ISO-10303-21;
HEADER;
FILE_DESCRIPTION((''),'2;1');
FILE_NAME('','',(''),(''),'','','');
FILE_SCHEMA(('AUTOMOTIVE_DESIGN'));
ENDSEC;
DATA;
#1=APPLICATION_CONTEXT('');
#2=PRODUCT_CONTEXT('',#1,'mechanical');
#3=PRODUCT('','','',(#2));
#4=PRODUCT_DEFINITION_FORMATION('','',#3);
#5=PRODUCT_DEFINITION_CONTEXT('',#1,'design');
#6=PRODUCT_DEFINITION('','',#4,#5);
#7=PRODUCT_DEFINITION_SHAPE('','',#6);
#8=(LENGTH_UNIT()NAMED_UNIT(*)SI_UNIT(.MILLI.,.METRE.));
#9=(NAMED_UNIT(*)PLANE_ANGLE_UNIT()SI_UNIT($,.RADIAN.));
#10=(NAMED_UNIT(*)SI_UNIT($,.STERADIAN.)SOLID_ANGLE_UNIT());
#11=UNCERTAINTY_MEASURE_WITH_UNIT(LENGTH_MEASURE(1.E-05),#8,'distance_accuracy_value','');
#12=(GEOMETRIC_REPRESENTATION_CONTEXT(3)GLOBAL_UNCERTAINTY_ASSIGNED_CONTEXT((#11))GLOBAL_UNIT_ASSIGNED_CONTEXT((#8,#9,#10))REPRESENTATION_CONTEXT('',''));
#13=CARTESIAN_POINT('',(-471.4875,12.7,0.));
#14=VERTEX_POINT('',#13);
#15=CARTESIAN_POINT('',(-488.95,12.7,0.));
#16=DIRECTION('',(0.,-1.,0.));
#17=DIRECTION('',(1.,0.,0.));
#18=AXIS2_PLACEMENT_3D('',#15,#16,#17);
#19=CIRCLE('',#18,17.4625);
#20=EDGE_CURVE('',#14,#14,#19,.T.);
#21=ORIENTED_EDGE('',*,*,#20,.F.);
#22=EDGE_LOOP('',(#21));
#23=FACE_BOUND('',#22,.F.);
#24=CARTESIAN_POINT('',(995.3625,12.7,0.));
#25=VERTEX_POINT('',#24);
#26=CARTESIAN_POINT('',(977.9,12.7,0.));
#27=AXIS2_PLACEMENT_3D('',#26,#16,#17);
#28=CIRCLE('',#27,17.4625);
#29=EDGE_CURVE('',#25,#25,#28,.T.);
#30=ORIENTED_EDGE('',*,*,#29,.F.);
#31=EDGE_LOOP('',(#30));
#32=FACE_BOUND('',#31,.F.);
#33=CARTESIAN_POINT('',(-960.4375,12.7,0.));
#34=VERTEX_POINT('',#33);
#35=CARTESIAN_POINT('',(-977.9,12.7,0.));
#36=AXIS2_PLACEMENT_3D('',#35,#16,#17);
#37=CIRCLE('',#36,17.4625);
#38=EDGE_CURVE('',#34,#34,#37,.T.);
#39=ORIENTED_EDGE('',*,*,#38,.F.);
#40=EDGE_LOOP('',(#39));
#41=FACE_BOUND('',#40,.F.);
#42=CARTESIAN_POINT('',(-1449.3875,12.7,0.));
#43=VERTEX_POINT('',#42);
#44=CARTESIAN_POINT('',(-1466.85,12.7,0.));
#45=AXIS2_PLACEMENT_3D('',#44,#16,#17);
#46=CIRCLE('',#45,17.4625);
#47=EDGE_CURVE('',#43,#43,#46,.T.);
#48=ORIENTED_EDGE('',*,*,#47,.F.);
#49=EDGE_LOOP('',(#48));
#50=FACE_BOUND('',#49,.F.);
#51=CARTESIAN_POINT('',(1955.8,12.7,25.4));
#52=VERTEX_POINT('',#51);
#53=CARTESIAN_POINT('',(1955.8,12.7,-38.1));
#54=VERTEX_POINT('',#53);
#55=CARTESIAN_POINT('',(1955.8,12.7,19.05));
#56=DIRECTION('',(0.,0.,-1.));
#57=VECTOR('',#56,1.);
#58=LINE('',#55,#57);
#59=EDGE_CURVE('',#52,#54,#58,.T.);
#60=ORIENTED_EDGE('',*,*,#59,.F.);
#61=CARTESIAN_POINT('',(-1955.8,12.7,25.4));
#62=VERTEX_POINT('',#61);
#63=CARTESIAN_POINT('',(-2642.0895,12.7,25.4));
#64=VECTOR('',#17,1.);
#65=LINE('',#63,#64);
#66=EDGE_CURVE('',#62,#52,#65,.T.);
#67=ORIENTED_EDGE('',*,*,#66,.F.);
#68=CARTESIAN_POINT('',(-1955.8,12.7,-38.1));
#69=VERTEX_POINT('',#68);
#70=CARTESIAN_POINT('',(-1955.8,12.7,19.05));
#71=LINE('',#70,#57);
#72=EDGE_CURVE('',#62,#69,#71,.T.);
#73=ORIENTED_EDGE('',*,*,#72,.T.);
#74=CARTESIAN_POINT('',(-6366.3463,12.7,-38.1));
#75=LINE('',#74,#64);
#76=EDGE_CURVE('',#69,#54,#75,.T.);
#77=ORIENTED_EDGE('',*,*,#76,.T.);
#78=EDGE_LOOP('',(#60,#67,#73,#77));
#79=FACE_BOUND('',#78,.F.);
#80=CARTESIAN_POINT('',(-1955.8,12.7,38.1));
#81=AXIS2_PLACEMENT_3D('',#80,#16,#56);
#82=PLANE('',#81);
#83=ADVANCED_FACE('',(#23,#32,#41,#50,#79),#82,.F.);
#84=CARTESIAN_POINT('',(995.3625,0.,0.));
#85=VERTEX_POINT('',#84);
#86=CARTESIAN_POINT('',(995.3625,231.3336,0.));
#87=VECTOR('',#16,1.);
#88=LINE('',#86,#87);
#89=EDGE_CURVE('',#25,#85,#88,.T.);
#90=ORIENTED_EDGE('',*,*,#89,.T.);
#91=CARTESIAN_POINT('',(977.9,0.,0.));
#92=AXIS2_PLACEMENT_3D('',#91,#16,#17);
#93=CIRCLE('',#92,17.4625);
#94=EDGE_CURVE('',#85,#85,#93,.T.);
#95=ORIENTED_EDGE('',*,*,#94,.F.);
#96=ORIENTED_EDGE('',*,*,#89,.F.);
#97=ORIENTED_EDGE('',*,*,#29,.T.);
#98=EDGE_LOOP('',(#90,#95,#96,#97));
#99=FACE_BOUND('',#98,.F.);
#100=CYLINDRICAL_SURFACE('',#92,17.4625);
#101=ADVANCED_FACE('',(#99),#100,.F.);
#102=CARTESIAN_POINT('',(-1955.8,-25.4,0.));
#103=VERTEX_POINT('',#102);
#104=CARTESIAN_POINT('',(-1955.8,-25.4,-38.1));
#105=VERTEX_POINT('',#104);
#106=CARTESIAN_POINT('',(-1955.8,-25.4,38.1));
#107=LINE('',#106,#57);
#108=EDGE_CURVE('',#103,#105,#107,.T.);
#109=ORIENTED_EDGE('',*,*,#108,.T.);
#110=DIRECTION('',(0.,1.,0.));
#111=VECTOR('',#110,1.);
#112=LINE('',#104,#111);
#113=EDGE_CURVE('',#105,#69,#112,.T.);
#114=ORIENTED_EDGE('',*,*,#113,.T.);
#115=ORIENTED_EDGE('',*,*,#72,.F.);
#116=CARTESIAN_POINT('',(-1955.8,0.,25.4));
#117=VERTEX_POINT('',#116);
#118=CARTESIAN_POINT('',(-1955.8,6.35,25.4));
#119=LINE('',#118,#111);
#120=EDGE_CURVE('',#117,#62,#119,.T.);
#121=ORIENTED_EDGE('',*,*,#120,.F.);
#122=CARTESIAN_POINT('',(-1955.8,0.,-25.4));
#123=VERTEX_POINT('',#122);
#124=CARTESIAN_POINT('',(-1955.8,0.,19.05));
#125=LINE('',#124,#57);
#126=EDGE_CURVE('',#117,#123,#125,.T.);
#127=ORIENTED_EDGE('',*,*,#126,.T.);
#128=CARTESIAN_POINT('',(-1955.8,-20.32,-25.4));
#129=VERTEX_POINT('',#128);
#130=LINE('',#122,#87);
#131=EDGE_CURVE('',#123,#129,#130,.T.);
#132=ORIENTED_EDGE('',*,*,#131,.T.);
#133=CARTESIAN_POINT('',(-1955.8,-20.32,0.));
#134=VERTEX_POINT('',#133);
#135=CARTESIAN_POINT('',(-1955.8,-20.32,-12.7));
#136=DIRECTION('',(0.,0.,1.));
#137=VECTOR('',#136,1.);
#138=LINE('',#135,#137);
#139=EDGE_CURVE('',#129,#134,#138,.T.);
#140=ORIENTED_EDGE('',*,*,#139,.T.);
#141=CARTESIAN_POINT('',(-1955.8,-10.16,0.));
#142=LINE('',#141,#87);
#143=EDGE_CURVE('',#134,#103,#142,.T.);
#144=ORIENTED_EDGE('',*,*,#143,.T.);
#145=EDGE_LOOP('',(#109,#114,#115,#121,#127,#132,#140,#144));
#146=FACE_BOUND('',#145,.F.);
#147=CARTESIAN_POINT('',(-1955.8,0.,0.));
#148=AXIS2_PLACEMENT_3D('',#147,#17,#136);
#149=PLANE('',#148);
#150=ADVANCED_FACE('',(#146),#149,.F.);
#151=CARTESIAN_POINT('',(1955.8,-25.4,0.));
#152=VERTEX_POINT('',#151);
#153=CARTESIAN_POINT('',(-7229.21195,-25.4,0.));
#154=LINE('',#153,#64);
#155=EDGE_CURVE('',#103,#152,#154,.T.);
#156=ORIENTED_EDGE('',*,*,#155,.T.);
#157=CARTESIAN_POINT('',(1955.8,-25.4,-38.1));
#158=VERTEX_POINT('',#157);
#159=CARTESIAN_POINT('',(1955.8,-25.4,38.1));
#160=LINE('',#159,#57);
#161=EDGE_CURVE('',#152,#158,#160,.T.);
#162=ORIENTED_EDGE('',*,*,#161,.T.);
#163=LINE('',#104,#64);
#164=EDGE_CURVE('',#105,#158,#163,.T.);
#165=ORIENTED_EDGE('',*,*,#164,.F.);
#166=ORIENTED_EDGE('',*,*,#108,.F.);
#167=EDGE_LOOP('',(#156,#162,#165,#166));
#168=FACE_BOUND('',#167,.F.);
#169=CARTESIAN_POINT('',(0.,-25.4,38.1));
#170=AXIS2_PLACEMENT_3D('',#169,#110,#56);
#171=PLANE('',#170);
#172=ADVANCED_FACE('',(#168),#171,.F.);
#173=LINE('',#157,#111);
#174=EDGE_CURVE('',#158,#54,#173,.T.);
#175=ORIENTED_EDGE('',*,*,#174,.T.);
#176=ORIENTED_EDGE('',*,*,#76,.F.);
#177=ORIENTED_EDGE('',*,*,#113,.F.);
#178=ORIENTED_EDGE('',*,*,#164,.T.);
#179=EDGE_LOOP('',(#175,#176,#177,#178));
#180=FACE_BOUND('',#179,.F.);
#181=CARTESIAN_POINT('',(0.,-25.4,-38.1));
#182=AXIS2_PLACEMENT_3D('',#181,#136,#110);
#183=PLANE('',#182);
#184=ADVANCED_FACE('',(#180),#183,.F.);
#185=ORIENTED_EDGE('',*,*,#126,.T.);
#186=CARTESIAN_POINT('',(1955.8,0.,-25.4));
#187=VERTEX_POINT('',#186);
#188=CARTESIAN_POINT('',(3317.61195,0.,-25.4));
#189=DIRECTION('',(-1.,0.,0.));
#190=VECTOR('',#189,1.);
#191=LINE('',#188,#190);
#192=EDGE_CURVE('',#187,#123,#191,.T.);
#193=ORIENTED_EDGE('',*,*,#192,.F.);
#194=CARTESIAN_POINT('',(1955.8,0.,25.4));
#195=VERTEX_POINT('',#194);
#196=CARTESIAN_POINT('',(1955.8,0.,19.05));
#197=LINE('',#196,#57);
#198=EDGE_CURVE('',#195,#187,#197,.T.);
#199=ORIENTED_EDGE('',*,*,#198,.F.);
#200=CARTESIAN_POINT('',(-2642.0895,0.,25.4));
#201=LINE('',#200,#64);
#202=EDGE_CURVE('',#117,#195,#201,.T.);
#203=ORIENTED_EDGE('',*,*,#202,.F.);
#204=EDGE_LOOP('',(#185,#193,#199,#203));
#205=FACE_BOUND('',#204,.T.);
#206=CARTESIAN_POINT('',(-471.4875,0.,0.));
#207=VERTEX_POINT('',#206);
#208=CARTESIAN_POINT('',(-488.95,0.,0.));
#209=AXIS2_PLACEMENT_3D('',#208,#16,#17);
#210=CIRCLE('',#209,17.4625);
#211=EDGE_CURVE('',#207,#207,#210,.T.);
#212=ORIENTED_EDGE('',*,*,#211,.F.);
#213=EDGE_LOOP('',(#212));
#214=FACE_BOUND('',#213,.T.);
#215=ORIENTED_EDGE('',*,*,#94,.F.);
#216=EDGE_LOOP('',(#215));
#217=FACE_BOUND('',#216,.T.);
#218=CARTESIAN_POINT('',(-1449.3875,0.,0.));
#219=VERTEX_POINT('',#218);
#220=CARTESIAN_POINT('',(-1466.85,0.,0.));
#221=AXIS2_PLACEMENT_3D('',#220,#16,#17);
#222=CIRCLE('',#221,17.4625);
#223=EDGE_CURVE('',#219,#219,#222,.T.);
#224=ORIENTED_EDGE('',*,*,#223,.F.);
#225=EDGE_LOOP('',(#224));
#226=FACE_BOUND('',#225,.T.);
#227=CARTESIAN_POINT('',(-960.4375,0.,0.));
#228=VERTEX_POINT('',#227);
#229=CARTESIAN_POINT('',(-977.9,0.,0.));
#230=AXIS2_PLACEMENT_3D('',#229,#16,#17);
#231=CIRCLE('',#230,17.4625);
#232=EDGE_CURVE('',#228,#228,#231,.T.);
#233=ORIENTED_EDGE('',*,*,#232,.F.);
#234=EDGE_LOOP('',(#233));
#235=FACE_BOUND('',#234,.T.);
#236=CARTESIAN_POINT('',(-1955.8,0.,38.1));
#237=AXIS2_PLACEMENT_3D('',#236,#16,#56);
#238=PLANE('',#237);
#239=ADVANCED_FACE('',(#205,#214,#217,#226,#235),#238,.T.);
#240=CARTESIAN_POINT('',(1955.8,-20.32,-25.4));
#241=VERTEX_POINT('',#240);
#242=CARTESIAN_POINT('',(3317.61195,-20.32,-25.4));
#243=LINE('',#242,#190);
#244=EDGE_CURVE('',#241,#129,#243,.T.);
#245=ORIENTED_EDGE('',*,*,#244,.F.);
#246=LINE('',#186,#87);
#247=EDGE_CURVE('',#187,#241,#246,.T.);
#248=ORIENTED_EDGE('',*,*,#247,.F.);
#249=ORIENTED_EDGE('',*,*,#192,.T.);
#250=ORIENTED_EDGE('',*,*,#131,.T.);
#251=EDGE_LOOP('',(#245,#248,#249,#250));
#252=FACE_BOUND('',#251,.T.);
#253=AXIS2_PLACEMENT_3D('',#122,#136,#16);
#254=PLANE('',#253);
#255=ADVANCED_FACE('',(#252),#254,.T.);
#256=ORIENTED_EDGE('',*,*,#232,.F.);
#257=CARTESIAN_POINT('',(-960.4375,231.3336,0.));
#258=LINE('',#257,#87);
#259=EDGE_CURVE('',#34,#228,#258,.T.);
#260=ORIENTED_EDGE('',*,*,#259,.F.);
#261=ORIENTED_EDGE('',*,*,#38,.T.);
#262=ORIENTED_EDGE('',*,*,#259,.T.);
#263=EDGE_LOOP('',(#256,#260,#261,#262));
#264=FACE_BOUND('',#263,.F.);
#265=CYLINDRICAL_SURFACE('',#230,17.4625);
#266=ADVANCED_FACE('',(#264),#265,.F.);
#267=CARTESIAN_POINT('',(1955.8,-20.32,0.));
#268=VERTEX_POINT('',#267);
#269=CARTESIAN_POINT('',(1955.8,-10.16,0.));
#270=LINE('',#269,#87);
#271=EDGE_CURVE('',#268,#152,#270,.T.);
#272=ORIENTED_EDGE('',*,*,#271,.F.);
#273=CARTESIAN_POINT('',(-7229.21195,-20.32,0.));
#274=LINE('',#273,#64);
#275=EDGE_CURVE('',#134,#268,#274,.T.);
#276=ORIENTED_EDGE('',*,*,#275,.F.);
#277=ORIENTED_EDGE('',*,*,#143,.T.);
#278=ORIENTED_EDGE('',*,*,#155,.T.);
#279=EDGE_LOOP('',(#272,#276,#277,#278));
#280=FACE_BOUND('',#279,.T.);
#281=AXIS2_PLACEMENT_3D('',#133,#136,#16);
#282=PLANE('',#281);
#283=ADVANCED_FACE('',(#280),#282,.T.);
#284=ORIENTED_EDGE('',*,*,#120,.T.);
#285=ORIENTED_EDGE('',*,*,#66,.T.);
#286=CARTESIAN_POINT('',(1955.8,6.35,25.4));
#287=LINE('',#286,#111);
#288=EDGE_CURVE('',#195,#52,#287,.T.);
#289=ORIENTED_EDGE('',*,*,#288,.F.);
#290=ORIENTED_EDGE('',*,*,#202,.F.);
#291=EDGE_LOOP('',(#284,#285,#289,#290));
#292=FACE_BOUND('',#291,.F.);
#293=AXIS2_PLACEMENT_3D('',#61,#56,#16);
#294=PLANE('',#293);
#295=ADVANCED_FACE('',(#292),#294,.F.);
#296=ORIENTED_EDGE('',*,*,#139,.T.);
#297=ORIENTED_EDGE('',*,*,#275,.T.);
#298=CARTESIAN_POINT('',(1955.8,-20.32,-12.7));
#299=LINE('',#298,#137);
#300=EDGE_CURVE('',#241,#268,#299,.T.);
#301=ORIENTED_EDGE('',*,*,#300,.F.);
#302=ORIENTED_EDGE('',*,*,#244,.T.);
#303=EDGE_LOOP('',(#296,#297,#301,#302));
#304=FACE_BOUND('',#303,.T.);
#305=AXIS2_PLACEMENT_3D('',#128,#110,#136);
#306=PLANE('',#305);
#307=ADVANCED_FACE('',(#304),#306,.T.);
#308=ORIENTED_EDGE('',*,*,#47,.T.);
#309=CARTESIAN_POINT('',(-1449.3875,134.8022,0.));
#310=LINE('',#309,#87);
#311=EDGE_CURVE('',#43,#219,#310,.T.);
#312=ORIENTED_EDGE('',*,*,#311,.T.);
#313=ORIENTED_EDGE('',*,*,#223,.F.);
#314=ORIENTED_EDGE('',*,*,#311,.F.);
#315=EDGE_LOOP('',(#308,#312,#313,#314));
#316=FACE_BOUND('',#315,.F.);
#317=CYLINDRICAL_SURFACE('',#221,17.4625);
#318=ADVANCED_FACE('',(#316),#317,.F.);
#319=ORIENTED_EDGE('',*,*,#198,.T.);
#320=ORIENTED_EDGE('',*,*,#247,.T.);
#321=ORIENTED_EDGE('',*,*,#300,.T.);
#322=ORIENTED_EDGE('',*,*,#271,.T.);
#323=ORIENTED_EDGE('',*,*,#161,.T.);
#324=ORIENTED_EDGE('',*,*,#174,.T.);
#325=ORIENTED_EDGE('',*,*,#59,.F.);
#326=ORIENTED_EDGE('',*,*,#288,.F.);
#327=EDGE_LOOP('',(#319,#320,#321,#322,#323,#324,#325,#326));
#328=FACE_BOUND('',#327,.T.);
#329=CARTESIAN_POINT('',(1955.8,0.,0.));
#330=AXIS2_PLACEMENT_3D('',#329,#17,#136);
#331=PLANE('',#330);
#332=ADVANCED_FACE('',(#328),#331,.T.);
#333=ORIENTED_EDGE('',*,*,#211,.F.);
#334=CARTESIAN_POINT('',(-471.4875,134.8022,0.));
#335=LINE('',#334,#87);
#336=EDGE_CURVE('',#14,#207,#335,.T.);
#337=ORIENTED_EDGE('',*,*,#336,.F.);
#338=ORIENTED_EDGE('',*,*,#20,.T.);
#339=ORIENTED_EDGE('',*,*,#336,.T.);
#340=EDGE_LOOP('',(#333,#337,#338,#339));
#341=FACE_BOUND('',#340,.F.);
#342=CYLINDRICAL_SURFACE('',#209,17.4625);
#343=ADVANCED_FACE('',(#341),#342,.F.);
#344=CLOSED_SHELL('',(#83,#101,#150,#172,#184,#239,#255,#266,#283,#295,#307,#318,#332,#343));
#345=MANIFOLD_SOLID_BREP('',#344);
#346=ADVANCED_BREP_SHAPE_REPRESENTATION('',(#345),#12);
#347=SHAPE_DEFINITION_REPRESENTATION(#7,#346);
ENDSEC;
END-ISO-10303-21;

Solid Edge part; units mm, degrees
sketch "Sketch1" plane through (0, 0, 0) normal (1, 0, 0) x (0, 1, 0)
  line L0 (-25.4, 38.1) -> (-25.4, -38.1)
  line L1 (-25.4, -38.1) -> (25.4, -38.1)
  line L2 (25.4, -38.1) -> (25.4, 38.1)
  line L3 (25.4, 38.1) -> (-25.4, 38.1)
extrude "Protrusion1" add sketch "Sketch1" along normal mid plane 3911.6
sketch "Sketch2" plane through (-1955.8, 0, 0) normal (-1, 0, 0) x (0, -1, 0)
  line L0 (0, 38.1) -> (0, -25.4)
  line L1 (0, -25.4) -> (20.32, -25.4)
  line L2 (20.32, -25.4) -> (20.32, 0)
  line L3 (20.32, 0) -> (25.4, 0)
  line L4 (25.4, 38.1) -> (25.4, 0)
  line L5 (1.511, 38.1) -> (25.4, 38.1)
extrude "ExtrudedCutout_1" cut sketch "Sketch2" along normal mid plane 10546.8239 material side at (-1955.8, -0.05, 6.35)
sketch "Sketch3" plane through (-1955.8, 0, 0) normal (-1, 0, 0) x (0, -1, 0)
  line L0 (-12.7, 38.1) -> (-12.7, -38.1)
  line L1 (-12.7, -38.1) -> (-25.4, -38.1)
  line L2 (-25.4, -38.1) -> (-25.4, 38.1)
  line L3 (-25.4, 38.1) -> (-12.7, 38.1)
extrude "ExtrudedCutout_2" cut sketch "Sketch3" along normal mid plane 8821.0926
sketch "Sketch4" plane through (0, 0, 6.35) normal (0, -1, 0) x (1, 0, 0)
  circle A0 centre (-977.9, -6.35) radius 17.4625
  circle A1 centre (977.9, -6.35) radius 17.4625
extrude "ExtrudedCutout_3" cut sketch "Sketch4" against normal blind 231.3336 and the other way blind 20.0651
sketch "Sketch5" plane through (0, 0, 6.35) normal (0, -1, 0) x (1, 0, 0)
  circle A0 centre (-1466.85, -6.35) radius 17.4625
  circle A1 centre (-488.95, -6.35) radius 17.4625
extrude "ExtrudedCutout_4" cut sketch "Sketch5" against normal blind 134.8022 and the other way blind 17.756
sketch "Sketch6" plane through (-1955.8, -6.35, 0) normal (-1, 0, 0) x (0, -1, 0)
  line L0 (-6.35, 25.4) -> (-6.35, 38.1)
  line L1 (-6.35, 38.1) -> (-19.05, 38.1)
  line L2 (-19.05, 38.1) -> (-19.05, 25.4)
  line L3 (-19.05, 25.4) -> (-6.35, 25.4)
extrude "ExtrudedCutout_5" cut sketch "Sketch6" against normal blind 4170.1198 and the other way blind 686.2895
properties material "Steel"
